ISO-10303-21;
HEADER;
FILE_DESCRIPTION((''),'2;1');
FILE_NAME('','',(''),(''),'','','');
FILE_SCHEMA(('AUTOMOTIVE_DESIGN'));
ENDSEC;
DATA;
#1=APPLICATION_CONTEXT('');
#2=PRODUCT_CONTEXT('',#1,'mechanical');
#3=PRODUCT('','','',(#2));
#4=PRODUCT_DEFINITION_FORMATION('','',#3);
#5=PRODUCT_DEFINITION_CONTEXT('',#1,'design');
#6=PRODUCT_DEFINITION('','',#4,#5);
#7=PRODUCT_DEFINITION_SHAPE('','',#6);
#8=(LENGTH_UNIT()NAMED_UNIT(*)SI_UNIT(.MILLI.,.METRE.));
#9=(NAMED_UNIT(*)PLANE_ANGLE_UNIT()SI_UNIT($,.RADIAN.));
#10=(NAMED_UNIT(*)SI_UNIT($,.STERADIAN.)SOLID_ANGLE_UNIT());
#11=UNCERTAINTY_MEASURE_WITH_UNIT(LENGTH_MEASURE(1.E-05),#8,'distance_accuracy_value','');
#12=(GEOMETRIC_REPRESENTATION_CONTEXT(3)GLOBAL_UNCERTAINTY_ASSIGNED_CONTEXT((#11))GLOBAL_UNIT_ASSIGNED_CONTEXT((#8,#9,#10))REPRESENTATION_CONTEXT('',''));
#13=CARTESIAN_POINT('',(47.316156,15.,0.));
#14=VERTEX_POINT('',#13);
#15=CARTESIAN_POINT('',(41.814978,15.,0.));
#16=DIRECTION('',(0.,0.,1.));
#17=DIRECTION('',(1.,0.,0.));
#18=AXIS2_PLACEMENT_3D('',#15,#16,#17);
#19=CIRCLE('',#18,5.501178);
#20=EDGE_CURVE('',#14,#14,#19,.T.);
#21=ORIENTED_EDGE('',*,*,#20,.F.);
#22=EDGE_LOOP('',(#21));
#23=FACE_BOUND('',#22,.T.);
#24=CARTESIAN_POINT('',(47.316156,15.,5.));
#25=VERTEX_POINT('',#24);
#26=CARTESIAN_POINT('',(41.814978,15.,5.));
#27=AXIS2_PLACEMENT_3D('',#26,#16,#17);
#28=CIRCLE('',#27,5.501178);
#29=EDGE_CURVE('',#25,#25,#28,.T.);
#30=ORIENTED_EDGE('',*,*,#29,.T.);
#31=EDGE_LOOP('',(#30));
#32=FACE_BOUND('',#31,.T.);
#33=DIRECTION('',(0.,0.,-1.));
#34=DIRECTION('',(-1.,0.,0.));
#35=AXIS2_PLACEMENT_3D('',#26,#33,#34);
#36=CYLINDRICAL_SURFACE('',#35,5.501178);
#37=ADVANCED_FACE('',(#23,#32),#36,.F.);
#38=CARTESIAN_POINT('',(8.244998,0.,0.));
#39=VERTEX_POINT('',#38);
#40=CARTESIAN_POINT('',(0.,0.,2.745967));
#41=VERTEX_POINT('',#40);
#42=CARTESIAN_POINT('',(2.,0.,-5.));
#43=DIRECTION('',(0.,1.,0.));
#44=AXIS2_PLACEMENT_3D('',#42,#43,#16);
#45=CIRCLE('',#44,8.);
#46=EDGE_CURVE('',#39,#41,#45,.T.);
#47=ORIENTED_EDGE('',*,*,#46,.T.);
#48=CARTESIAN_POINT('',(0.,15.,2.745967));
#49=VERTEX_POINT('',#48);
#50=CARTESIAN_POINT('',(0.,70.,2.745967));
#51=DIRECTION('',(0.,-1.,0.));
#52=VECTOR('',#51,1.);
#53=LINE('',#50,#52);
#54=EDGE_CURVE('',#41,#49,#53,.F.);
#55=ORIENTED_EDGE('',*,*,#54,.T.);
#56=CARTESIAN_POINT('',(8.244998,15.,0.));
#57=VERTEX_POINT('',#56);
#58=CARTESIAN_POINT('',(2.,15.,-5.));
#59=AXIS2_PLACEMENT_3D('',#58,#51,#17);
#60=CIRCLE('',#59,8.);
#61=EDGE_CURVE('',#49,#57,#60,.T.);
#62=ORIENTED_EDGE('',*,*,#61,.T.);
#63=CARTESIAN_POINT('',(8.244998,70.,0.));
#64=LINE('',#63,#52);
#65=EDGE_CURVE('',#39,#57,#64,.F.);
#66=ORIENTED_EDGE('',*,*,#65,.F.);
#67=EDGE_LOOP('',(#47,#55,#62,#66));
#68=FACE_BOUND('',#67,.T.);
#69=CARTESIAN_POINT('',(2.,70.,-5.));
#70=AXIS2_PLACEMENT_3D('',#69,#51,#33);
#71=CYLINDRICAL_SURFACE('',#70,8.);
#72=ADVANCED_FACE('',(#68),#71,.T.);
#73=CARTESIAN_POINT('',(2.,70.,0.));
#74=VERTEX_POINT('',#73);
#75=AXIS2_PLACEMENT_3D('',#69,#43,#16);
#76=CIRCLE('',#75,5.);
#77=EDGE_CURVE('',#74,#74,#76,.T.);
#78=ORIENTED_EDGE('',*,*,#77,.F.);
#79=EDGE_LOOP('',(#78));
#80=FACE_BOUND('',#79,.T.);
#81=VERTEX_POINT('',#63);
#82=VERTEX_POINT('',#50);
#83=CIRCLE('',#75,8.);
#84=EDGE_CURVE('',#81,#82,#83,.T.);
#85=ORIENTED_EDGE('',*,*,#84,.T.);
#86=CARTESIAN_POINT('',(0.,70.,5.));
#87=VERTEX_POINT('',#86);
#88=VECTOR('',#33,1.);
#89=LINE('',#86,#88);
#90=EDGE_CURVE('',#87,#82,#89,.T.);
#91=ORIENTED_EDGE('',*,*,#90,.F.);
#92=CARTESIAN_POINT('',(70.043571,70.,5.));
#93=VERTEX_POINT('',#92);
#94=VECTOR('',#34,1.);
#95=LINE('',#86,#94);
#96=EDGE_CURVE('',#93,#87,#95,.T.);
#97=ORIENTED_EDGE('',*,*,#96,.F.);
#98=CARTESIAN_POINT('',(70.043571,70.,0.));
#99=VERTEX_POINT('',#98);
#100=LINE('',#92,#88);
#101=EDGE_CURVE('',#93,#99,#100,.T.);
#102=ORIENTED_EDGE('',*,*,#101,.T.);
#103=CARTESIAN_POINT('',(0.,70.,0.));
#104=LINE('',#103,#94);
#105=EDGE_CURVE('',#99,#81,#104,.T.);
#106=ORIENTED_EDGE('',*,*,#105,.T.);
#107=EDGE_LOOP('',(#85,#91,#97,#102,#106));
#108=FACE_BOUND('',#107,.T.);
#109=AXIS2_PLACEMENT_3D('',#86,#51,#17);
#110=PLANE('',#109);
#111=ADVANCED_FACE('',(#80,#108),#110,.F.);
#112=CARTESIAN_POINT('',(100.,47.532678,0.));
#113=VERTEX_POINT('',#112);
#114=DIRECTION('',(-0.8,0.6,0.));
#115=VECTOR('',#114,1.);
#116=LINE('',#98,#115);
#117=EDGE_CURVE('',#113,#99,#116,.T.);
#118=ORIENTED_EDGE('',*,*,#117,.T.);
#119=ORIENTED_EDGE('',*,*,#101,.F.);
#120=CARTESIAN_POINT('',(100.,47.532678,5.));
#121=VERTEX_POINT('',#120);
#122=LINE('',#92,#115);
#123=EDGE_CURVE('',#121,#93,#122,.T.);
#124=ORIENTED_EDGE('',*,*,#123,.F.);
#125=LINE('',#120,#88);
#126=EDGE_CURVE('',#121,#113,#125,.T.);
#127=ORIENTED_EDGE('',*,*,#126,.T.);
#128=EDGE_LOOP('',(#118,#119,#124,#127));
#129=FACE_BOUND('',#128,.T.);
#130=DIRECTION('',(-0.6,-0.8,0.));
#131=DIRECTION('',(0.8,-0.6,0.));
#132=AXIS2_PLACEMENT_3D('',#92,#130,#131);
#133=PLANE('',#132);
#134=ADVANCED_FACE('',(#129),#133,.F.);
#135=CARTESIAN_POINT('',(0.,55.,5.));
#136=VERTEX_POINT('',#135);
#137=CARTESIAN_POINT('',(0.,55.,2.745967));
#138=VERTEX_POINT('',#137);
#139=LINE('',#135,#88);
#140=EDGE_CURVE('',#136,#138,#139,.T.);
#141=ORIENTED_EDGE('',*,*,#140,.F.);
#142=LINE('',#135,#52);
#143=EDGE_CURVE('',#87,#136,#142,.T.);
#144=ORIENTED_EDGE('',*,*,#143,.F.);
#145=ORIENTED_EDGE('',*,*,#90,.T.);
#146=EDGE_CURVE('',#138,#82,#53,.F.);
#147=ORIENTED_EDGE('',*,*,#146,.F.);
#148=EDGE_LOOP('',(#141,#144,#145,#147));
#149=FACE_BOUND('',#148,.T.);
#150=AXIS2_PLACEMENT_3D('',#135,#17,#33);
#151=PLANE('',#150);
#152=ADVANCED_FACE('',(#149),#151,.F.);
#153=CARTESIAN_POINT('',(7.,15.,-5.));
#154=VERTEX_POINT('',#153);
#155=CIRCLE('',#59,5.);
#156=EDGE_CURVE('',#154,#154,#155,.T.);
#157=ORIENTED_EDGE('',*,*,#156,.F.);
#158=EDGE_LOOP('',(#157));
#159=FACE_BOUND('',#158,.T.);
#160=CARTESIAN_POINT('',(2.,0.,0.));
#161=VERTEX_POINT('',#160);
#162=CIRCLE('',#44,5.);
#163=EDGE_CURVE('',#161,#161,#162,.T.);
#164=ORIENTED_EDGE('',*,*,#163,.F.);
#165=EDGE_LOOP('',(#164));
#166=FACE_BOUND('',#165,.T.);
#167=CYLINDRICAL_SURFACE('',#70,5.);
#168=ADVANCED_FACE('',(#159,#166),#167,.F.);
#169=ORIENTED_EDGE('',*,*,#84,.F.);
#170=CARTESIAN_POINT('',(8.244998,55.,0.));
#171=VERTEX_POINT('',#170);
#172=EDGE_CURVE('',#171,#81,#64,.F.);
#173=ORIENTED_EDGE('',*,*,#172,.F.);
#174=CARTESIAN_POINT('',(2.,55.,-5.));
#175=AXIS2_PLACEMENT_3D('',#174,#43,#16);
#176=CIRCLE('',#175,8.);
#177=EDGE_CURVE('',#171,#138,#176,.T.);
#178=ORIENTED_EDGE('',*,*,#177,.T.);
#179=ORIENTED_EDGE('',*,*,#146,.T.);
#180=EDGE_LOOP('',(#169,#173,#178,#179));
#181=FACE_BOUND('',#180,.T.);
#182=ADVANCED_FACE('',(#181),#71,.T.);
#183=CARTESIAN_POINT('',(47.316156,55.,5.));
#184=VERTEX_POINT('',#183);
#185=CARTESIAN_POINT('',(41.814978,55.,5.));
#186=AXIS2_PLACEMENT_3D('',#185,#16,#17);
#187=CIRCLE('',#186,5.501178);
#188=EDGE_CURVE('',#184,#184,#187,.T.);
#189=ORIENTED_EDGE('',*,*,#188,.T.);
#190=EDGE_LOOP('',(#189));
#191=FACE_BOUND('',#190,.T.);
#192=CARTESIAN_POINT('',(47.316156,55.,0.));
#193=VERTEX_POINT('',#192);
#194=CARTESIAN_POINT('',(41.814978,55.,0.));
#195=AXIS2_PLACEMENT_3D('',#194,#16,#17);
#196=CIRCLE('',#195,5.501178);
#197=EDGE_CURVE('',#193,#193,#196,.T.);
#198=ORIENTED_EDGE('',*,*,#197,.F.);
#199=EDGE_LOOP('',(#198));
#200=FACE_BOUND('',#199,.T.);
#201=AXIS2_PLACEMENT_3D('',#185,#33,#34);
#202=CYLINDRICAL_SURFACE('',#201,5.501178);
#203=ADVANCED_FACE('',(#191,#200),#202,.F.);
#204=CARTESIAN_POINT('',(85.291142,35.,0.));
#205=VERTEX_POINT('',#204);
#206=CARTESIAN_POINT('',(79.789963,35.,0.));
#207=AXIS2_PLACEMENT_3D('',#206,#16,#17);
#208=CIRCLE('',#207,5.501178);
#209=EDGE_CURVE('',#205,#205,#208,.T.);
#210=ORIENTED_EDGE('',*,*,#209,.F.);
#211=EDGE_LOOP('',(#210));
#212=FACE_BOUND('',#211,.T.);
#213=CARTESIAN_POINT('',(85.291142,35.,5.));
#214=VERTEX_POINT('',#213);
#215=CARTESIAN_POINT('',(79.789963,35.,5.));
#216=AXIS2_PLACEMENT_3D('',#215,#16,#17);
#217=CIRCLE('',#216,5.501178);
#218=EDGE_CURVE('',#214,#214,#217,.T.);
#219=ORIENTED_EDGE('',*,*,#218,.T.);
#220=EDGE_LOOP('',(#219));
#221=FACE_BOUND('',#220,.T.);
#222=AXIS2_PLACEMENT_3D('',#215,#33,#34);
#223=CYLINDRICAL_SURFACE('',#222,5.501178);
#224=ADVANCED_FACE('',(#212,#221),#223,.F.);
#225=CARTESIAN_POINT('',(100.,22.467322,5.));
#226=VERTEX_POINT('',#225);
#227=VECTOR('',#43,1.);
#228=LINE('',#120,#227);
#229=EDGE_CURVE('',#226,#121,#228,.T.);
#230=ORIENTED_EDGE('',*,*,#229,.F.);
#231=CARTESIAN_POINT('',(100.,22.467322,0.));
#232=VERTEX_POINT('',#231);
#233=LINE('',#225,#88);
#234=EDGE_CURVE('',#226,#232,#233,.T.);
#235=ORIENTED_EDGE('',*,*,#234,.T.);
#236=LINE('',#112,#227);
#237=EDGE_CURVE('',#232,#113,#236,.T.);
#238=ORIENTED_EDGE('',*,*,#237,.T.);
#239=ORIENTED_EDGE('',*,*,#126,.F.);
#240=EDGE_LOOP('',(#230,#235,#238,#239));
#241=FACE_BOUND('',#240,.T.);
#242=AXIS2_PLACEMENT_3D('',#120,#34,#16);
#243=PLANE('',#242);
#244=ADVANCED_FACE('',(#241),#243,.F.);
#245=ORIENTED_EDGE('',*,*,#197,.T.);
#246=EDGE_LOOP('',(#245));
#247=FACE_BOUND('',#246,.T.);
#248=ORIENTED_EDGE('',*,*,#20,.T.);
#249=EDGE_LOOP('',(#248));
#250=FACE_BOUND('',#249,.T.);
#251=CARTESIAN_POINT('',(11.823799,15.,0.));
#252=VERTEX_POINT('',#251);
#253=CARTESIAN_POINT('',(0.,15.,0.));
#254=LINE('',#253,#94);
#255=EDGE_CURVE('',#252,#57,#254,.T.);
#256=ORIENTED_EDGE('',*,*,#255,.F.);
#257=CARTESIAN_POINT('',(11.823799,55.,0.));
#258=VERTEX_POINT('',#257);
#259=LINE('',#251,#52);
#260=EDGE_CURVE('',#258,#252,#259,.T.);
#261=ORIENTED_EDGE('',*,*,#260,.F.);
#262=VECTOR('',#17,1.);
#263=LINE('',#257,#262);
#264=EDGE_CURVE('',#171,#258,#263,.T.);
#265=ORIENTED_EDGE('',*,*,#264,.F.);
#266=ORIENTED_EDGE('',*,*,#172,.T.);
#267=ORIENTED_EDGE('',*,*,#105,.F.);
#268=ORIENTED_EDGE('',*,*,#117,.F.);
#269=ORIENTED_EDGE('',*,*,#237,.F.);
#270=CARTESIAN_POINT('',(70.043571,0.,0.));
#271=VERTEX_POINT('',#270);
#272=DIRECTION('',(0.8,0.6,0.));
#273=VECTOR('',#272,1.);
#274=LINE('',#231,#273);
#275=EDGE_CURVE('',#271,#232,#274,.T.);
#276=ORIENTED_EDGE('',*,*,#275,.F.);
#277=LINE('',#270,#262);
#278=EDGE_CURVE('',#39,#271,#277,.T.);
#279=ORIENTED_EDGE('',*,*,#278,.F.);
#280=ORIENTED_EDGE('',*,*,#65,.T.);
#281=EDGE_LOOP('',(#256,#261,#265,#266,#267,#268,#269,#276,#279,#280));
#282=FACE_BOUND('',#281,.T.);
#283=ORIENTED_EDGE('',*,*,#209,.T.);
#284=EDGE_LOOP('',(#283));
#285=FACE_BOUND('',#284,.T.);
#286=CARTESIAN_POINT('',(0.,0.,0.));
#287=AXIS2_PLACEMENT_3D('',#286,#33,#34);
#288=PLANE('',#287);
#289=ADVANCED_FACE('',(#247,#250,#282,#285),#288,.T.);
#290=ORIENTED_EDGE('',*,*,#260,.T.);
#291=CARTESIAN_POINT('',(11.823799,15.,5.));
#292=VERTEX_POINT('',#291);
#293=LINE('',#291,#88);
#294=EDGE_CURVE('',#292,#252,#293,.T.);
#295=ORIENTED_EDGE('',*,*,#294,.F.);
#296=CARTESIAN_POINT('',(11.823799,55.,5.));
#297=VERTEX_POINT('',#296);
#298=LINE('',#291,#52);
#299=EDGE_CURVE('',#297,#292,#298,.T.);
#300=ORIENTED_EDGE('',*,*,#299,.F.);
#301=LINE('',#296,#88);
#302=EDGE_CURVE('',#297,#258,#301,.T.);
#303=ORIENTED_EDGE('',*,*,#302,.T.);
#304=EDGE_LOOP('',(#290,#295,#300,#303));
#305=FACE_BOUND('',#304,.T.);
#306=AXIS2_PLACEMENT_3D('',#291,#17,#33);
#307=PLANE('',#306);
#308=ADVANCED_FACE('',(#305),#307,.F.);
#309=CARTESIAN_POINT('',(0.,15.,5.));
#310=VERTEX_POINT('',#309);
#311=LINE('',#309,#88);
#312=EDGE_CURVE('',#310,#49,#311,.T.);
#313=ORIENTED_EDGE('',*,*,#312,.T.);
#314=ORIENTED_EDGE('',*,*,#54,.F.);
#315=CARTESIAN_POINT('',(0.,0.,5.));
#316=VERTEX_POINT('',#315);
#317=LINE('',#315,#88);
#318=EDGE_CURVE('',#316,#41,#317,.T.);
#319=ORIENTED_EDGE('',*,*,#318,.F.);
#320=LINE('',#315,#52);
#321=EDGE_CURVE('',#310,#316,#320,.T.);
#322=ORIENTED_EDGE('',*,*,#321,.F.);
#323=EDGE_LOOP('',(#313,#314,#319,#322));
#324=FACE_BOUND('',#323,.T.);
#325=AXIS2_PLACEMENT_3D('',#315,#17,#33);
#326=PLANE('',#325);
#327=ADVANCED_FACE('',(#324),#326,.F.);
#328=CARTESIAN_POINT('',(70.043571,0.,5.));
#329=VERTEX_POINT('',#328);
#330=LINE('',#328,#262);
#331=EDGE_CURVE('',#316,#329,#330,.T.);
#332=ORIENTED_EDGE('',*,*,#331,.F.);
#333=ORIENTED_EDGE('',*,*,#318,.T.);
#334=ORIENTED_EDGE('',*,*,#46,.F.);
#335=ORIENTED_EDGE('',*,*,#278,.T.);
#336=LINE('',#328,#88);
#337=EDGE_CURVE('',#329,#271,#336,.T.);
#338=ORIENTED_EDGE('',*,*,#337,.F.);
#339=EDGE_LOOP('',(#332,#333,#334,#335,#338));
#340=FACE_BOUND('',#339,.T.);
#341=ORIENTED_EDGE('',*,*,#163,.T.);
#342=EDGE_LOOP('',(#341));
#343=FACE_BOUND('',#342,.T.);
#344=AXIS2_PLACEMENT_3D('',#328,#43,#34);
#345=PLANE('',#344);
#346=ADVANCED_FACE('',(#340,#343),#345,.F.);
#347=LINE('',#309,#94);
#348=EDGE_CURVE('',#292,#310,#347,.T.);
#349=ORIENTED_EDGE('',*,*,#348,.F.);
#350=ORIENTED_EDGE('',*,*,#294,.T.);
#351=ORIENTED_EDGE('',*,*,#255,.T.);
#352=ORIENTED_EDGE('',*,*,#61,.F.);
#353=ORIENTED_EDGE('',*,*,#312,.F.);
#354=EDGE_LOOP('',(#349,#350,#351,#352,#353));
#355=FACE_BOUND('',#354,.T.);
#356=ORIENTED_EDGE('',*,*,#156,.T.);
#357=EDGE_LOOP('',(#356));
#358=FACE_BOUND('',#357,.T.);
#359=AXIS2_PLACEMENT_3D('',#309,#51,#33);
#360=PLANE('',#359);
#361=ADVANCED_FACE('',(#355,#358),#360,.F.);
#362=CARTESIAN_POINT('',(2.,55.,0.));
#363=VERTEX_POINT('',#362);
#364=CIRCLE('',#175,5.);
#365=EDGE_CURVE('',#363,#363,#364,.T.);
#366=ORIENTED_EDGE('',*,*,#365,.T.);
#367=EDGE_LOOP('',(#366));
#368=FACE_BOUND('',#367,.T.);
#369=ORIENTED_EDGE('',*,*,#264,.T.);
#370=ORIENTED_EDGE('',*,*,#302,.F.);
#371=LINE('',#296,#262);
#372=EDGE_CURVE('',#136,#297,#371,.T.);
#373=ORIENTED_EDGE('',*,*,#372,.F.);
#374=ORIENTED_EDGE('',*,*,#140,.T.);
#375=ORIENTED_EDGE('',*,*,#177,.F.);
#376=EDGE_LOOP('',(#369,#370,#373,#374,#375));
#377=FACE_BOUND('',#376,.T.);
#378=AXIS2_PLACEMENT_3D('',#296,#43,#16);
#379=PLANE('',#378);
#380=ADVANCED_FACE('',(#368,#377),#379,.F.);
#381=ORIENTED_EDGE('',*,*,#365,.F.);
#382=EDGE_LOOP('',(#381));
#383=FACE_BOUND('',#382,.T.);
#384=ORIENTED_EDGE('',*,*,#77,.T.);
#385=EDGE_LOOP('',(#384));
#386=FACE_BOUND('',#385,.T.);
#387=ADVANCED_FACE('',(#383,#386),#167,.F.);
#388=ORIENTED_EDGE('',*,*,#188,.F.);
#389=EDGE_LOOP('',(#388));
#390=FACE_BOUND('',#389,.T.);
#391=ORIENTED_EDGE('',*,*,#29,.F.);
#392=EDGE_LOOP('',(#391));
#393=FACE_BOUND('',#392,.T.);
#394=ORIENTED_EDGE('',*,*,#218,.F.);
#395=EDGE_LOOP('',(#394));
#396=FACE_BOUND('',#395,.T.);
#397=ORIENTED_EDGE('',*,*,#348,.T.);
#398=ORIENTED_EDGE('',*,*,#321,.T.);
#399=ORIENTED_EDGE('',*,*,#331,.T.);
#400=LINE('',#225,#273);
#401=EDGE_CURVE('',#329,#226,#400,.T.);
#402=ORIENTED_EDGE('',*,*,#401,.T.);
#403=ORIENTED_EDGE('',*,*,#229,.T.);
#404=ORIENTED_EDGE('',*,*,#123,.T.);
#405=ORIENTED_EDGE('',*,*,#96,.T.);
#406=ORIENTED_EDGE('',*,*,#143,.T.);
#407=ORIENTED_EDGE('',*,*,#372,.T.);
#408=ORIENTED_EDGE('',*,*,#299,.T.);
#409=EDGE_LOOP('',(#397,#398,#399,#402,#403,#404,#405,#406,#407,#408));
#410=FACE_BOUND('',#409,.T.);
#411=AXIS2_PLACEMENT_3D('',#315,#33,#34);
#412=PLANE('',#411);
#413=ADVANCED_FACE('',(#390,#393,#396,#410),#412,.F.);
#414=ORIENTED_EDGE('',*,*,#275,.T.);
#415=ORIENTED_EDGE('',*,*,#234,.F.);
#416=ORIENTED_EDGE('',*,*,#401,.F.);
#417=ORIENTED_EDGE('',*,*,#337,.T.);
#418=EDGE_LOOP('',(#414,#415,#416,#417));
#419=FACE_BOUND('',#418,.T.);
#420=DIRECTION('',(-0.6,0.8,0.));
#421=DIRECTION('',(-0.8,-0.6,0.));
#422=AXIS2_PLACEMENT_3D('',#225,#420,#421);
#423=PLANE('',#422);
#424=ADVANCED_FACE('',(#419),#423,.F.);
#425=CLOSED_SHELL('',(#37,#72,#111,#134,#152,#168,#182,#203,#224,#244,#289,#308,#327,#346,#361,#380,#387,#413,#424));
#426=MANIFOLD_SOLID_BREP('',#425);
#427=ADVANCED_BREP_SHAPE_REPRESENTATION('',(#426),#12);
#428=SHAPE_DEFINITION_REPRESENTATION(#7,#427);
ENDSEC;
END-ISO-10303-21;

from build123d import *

# Parameters (mm, degrees)
SKETCH1_R               = 5.501178274
BOSS_EXTRUDE1_DEPTH     = 5
SKETCH2_R               = 8
SKETCH2_R_2             = 5
BOSS_EXTRUDE2_DEPTH     = 70
CUT_EXTRUDE1_DEPTH      = 123.755855257
CUT_EXTRUDE1_DEPTH_BACK = 123.755855257
SKETCH3_W               = 17.823798536
SKETCH3_H               = 40


with BuildPart() as part:
    # Sketch1 → Boss-Extrude1 (new body)
    with BuildSketch(Plane.XY):
        Polygon((0, 0), (0, 15), (11.823798536, 15), (11.823798536, 55), (0, 55), (0, 70), (70.043570566, 70), (100, 47.532677925), (100, 22.467322075), (70.043570566, 0), align=None)
        with Locations((41.814977969, 55)):
            Circle(SKETCH1_R, mode=Mode.SUBTRACT)
        with Locations((41.814977969, 15)):
            Circle(SKETCH1_R, mode=Mode.SUBTRACT)
        with Locations((79.789963406, 35)):
            Circle(SKETCH1_R, mode=Mode.SUBTRACT)
    extrude(amount=BOSS_EXTRUDE1_DEPTH)

    # Sketch2 → Boss-Extrude2 (add)
    with BuildSketch(Plane(origin=(0, 0, 0), x_dir=(1, 0, 0), z_dir=(0, 1, 0))):
        with Locations(Location((2, 5, 0), (0, 0, 321.317812547))):
            Circle(SKETCH2_R)
        with Locations(Location((2, 5, 0), (0, 0, 270))):
            Circle(SKETCH2_R_2, mode=Mode.SUBTRACT)
    extrude(amount=BOSS_EXTRUDE2_DEPTH)

    # Sketch3 → Cut-Extrude1 (cut, two sides: drawn at the far end of the back side and taken through both)
    with BuildSketch(Plane.XY.offset(-CUT_EXTRUDE1_DEPTH_BACK)):
        with Locations((2.911899268, 35)):
            Rectangle(SKETCH3_W, SKETCH3_H)
    extrude(amount=CUT_EXTRUDE1_DEPTH + CUT_EXTRUDE1_DEPTH_BACK, mode=Mode.SUBTRACT)


solid = part.part
